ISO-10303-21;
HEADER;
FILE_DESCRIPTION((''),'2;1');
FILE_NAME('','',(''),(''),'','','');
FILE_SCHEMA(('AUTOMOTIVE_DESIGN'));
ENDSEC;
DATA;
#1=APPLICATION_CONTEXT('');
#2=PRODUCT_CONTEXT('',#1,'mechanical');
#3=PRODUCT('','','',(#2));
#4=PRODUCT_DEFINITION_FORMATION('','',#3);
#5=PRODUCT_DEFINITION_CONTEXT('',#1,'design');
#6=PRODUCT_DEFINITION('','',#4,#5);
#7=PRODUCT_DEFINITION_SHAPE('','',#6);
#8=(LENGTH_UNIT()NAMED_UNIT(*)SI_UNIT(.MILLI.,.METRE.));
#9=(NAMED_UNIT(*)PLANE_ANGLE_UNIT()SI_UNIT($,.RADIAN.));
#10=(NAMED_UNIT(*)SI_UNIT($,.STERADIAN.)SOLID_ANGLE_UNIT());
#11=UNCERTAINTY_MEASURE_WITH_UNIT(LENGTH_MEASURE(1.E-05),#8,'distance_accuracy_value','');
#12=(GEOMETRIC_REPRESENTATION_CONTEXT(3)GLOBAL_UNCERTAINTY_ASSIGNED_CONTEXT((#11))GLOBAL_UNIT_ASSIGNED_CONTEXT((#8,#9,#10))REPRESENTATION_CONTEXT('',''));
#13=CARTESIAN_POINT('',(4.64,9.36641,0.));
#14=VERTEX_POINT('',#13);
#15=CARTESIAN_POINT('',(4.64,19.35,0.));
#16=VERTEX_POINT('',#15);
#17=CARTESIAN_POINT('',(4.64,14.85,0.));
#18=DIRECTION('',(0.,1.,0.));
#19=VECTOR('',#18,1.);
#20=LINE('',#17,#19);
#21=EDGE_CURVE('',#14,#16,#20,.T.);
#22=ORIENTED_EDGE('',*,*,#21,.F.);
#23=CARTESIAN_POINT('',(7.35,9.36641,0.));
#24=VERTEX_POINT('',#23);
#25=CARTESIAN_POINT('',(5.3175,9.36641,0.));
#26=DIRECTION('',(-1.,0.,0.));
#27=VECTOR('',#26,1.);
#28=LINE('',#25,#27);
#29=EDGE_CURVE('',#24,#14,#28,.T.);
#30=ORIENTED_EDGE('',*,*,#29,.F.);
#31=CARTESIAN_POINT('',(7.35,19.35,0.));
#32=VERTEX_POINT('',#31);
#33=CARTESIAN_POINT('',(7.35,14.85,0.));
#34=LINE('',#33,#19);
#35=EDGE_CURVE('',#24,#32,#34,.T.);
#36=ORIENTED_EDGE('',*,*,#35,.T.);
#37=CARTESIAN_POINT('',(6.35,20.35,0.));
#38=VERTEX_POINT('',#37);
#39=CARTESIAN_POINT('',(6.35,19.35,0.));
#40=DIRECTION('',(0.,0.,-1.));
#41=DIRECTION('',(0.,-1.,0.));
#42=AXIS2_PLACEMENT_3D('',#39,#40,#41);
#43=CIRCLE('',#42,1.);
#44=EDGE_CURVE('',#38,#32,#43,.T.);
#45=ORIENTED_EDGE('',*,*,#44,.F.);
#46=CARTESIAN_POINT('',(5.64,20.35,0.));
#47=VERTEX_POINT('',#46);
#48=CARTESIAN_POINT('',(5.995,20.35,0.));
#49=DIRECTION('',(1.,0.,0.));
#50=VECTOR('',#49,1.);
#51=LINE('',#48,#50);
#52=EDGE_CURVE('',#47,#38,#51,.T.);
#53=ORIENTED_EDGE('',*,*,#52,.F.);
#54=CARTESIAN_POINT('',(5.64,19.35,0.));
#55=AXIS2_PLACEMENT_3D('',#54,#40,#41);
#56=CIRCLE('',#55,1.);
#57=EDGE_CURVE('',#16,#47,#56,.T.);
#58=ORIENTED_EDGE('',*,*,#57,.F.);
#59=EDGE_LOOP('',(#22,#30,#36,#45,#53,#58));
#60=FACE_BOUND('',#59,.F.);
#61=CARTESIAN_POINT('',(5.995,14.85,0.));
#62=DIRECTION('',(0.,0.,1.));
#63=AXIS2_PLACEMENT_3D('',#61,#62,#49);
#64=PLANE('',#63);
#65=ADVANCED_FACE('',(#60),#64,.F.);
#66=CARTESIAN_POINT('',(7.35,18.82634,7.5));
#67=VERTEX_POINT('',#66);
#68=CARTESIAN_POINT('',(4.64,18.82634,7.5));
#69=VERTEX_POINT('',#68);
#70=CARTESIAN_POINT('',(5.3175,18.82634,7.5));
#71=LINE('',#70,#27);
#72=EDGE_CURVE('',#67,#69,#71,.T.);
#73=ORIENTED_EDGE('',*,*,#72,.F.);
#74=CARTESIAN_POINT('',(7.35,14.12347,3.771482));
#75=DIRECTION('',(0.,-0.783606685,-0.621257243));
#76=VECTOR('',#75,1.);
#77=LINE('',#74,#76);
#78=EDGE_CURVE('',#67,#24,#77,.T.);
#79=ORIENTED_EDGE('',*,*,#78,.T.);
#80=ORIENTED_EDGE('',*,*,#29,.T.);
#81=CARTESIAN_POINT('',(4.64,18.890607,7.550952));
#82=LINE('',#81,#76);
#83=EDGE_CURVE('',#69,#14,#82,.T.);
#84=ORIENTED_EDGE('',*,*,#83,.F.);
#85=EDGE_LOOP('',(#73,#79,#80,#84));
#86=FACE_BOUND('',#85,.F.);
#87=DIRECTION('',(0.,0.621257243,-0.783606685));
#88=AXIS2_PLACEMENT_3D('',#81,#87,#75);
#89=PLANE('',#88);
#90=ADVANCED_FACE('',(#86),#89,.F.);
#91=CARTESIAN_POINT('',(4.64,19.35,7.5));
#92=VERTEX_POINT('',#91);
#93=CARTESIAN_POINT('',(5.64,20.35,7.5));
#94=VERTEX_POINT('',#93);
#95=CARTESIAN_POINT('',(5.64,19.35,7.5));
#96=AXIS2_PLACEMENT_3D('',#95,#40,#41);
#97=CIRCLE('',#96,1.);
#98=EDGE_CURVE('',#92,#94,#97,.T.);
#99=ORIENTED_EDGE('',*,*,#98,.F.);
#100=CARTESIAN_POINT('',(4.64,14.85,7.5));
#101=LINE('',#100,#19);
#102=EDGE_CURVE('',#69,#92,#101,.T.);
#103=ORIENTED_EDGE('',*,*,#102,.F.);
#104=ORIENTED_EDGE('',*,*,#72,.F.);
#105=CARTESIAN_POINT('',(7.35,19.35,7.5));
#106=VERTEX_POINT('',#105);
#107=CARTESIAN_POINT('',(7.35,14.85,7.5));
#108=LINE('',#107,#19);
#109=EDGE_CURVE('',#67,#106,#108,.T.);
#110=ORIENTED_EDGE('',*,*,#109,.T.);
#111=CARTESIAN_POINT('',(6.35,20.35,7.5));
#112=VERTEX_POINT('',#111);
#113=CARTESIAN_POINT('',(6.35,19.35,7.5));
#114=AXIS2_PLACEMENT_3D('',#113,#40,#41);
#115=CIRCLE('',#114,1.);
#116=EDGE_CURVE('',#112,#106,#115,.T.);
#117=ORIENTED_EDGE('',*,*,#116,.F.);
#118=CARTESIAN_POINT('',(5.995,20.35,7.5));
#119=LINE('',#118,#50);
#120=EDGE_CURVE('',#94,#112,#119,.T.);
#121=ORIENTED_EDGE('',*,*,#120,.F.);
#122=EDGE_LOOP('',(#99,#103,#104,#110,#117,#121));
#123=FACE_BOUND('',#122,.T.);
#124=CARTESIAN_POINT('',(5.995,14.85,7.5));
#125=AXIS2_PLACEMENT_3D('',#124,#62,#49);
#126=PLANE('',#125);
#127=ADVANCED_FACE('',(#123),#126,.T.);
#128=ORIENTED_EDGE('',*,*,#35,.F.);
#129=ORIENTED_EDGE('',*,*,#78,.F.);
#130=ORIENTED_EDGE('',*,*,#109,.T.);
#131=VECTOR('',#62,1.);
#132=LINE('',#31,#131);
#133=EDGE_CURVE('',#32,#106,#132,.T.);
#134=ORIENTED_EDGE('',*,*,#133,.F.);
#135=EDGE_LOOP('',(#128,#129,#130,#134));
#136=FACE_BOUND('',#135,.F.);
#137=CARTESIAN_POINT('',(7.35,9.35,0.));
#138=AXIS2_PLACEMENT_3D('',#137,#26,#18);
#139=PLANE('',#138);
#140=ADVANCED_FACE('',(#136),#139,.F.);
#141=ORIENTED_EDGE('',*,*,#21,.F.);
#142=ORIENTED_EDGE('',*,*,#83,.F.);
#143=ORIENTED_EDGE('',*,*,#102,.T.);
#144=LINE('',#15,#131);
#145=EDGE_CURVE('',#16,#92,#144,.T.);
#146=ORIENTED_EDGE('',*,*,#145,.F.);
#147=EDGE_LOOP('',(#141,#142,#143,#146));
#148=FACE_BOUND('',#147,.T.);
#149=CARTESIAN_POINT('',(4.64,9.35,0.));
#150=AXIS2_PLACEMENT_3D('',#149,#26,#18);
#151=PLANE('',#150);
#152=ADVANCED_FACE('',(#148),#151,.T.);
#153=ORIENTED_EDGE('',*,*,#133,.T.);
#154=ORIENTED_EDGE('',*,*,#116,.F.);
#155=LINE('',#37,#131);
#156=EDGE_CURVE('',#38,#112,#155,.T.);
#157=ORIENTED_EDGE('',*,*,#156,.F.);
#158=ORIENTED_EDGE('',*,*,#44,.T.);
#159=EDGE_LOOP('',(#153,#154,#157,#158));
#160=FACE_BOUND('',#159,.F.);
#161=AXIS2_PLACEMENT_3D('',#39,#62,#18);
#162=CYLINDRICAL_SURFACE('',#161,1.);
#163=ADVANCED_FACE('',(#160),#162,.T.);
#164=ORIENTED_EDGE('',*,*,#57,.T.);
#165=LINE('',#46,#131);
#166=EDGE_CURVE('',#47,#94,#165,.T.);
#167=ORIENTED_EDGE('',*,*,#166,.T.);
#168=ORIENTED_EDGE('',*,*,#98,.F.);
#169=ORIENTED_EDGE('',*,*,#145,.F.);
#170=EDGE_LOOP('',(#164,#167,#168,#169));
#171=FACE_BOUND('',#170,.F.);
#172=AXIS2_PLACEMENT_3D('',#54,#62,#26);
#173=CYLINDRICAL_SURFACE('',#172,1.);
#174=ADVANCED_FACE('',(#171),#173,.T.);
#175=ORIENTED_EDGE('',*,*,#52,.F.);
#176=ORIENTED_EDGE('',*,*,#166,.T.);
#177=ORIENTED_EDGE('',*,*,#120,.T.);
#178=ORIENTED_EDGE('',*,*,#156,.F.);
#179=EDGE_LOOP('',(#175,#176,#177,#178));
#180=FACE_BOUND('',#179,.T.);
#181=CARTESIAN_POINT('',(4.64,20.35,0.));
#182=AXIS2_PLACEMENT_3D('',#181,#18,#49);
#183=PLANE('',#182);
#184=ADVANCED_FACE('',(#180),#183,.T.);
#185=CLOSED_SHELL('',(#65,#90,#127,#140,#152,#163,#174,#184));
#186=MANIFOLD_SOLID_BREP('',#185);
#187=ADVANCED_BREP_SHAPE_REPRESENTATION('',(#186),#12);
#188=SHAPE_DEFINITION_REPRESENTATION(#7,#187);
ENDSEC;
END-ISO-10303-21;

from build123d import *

# Parameters (mm, degrees)
BOX002_W        = 2.71
BOX002_H        = 11
BOX002_DEPTH    = 7.5
POCKET001_DEPTH = 5
FILLET002_R     = 1


with BuildPart() as part:
    # Box002 → Box002 (new body)
    with BuildSketch(Plane(origin=(4.64, 9.35, 0), x_dir=(1, 0, 0), z_dir=(0, 0, 1))):
        with Locations((1.355, 5.5)):
            Rectangle(BOX002_W, BOX002_H)
    extrude(amount=BOX002_DEPTH)

    # Sketch001 → Pocket001 (cut)
    with BuildSketch(Plane(origin=(4.64, 9.35, 0), x_dir=(0, -1, 0), z_dir=(-1, 0, 0))):
        Polygon((-9.540607, 7.550952), (0.165381, -0.144127), (0.165381, 8.596624), align=None)
    extrude(amount=-POCKET001_DEPTH, mode=Mode.SUBTRACT)

    # Fillet002
    fillet002_edges = [part.edges().sort_by_distance(p)[0] for p in [
        (4.64, 20.35, 3.75),
        (7.35, 20.35, 3.75),
    ]]
    fillet(fillet002_edges, radius=FILLET002_R)


solid = part.part
